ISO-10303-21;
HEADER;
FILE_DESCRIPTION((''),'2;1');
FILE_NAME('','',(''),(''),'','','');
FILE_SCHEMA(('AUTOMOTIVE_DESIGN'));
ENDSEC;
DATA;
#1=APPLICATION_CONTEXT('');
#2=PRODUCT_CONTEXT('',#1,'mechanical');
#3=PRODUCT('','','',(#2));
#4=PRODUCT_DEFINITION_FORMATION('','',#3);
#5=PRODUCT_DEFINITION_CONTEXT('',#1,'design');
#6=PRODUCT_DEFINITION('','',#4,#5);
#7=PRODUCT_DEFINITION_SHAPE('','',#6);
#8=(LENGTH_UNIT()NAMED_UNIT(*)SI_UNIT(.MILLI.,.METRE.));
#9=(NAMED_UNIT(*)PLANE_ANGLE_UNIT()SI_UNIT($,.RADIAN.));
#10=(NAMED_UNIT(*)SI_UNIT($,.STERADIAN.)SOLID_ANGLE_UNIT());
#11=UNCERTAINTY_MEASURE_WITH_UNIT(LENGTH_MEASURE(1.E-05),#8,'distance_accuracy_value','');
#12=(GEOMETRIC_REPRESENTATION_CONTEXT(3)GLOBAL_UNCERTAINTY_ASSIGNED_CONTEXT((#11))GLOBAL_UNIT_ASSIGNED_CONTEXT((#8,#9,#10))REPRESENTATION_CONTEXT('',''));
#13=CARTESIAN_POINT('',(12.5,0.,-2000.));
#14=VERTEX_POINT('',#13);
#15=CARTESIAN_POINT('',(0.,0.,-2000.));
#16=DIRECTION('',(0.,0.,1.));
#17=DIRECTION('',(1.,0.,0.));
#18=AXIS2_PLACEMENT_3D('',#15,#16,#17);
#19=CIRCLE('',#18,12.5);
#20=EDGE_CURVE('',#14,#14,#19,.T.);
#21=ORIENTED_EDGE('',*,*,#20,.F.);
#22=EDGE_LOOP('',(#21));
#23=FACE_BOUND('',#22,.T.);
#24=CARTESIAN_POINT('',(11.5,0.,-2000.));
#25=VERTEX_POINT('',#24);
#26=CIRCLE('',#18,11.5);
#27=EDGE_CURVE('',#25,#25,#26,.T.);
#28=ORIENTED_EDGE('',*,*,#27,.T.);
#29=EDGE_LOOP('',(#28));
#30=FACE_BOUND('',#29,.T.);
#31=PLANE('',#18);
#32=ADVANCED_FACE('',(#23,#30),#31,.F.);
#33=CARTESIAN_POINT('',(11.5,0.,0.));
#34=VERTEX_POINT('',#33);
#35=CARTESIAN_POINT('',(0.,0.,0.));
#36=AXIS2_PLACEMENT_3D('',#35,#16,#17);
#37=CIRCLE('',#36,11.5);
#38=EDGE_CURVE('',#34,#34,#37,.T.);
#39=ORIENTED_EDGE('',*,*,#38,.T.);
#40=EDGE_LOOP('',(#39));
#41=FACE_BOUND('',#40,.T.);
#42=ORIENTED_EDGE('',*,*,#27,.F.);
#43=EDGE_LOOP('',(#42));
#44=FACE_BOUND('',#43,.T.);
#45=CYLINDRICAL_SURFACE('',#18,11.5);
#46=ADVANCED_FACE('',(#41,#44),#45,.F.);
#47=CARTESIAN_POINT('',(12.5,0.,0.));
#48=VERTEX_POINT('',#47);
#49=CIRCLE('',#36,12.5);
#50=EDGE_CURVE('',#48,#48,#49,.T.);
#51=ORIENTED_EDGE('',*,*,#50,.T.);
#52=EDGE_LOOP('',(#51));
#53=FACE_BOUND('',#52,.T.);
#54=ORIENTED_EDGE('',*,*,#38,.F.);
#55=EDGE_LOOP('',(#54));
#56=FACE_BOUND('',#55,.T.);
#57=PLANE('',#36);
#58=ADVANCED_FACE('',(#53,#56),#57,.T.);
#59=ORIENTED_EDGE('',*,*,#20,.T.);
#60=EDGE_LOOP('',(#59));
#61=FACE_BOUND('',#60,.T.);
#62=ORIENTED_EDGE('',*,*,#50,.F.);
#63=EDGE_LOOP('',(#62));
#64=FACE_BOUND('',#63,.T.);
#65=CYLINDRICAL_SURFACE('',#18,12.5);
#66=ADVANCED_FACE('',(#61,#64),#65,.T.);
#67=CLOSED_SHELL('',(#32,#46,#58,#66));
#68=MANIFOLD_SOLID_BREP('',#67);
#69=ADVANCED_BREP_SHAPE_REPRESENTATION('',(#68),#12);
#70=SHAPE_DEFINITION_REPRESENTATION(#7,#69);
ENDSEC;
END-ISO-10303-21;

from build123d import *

# Parameters (mm, degrees)
SKETCH1_R           = 12.5
SKETCH1_R_2         = 11.5
BOSS_EXTRUDE1_DEPTH = 2000


with BuildPart() as part:
    # Sketch1 → Boss-Extrude1 (new body)
    with BuildSketch(Plane.XY):
        Circle(SKETCH1_R)
        Circle(SKETCH1_R_2, mode=Mode.SUBTRACT)
    extrude(amount=-BOSS_EXTRUDE1_DEPTH)


solid = part.part
